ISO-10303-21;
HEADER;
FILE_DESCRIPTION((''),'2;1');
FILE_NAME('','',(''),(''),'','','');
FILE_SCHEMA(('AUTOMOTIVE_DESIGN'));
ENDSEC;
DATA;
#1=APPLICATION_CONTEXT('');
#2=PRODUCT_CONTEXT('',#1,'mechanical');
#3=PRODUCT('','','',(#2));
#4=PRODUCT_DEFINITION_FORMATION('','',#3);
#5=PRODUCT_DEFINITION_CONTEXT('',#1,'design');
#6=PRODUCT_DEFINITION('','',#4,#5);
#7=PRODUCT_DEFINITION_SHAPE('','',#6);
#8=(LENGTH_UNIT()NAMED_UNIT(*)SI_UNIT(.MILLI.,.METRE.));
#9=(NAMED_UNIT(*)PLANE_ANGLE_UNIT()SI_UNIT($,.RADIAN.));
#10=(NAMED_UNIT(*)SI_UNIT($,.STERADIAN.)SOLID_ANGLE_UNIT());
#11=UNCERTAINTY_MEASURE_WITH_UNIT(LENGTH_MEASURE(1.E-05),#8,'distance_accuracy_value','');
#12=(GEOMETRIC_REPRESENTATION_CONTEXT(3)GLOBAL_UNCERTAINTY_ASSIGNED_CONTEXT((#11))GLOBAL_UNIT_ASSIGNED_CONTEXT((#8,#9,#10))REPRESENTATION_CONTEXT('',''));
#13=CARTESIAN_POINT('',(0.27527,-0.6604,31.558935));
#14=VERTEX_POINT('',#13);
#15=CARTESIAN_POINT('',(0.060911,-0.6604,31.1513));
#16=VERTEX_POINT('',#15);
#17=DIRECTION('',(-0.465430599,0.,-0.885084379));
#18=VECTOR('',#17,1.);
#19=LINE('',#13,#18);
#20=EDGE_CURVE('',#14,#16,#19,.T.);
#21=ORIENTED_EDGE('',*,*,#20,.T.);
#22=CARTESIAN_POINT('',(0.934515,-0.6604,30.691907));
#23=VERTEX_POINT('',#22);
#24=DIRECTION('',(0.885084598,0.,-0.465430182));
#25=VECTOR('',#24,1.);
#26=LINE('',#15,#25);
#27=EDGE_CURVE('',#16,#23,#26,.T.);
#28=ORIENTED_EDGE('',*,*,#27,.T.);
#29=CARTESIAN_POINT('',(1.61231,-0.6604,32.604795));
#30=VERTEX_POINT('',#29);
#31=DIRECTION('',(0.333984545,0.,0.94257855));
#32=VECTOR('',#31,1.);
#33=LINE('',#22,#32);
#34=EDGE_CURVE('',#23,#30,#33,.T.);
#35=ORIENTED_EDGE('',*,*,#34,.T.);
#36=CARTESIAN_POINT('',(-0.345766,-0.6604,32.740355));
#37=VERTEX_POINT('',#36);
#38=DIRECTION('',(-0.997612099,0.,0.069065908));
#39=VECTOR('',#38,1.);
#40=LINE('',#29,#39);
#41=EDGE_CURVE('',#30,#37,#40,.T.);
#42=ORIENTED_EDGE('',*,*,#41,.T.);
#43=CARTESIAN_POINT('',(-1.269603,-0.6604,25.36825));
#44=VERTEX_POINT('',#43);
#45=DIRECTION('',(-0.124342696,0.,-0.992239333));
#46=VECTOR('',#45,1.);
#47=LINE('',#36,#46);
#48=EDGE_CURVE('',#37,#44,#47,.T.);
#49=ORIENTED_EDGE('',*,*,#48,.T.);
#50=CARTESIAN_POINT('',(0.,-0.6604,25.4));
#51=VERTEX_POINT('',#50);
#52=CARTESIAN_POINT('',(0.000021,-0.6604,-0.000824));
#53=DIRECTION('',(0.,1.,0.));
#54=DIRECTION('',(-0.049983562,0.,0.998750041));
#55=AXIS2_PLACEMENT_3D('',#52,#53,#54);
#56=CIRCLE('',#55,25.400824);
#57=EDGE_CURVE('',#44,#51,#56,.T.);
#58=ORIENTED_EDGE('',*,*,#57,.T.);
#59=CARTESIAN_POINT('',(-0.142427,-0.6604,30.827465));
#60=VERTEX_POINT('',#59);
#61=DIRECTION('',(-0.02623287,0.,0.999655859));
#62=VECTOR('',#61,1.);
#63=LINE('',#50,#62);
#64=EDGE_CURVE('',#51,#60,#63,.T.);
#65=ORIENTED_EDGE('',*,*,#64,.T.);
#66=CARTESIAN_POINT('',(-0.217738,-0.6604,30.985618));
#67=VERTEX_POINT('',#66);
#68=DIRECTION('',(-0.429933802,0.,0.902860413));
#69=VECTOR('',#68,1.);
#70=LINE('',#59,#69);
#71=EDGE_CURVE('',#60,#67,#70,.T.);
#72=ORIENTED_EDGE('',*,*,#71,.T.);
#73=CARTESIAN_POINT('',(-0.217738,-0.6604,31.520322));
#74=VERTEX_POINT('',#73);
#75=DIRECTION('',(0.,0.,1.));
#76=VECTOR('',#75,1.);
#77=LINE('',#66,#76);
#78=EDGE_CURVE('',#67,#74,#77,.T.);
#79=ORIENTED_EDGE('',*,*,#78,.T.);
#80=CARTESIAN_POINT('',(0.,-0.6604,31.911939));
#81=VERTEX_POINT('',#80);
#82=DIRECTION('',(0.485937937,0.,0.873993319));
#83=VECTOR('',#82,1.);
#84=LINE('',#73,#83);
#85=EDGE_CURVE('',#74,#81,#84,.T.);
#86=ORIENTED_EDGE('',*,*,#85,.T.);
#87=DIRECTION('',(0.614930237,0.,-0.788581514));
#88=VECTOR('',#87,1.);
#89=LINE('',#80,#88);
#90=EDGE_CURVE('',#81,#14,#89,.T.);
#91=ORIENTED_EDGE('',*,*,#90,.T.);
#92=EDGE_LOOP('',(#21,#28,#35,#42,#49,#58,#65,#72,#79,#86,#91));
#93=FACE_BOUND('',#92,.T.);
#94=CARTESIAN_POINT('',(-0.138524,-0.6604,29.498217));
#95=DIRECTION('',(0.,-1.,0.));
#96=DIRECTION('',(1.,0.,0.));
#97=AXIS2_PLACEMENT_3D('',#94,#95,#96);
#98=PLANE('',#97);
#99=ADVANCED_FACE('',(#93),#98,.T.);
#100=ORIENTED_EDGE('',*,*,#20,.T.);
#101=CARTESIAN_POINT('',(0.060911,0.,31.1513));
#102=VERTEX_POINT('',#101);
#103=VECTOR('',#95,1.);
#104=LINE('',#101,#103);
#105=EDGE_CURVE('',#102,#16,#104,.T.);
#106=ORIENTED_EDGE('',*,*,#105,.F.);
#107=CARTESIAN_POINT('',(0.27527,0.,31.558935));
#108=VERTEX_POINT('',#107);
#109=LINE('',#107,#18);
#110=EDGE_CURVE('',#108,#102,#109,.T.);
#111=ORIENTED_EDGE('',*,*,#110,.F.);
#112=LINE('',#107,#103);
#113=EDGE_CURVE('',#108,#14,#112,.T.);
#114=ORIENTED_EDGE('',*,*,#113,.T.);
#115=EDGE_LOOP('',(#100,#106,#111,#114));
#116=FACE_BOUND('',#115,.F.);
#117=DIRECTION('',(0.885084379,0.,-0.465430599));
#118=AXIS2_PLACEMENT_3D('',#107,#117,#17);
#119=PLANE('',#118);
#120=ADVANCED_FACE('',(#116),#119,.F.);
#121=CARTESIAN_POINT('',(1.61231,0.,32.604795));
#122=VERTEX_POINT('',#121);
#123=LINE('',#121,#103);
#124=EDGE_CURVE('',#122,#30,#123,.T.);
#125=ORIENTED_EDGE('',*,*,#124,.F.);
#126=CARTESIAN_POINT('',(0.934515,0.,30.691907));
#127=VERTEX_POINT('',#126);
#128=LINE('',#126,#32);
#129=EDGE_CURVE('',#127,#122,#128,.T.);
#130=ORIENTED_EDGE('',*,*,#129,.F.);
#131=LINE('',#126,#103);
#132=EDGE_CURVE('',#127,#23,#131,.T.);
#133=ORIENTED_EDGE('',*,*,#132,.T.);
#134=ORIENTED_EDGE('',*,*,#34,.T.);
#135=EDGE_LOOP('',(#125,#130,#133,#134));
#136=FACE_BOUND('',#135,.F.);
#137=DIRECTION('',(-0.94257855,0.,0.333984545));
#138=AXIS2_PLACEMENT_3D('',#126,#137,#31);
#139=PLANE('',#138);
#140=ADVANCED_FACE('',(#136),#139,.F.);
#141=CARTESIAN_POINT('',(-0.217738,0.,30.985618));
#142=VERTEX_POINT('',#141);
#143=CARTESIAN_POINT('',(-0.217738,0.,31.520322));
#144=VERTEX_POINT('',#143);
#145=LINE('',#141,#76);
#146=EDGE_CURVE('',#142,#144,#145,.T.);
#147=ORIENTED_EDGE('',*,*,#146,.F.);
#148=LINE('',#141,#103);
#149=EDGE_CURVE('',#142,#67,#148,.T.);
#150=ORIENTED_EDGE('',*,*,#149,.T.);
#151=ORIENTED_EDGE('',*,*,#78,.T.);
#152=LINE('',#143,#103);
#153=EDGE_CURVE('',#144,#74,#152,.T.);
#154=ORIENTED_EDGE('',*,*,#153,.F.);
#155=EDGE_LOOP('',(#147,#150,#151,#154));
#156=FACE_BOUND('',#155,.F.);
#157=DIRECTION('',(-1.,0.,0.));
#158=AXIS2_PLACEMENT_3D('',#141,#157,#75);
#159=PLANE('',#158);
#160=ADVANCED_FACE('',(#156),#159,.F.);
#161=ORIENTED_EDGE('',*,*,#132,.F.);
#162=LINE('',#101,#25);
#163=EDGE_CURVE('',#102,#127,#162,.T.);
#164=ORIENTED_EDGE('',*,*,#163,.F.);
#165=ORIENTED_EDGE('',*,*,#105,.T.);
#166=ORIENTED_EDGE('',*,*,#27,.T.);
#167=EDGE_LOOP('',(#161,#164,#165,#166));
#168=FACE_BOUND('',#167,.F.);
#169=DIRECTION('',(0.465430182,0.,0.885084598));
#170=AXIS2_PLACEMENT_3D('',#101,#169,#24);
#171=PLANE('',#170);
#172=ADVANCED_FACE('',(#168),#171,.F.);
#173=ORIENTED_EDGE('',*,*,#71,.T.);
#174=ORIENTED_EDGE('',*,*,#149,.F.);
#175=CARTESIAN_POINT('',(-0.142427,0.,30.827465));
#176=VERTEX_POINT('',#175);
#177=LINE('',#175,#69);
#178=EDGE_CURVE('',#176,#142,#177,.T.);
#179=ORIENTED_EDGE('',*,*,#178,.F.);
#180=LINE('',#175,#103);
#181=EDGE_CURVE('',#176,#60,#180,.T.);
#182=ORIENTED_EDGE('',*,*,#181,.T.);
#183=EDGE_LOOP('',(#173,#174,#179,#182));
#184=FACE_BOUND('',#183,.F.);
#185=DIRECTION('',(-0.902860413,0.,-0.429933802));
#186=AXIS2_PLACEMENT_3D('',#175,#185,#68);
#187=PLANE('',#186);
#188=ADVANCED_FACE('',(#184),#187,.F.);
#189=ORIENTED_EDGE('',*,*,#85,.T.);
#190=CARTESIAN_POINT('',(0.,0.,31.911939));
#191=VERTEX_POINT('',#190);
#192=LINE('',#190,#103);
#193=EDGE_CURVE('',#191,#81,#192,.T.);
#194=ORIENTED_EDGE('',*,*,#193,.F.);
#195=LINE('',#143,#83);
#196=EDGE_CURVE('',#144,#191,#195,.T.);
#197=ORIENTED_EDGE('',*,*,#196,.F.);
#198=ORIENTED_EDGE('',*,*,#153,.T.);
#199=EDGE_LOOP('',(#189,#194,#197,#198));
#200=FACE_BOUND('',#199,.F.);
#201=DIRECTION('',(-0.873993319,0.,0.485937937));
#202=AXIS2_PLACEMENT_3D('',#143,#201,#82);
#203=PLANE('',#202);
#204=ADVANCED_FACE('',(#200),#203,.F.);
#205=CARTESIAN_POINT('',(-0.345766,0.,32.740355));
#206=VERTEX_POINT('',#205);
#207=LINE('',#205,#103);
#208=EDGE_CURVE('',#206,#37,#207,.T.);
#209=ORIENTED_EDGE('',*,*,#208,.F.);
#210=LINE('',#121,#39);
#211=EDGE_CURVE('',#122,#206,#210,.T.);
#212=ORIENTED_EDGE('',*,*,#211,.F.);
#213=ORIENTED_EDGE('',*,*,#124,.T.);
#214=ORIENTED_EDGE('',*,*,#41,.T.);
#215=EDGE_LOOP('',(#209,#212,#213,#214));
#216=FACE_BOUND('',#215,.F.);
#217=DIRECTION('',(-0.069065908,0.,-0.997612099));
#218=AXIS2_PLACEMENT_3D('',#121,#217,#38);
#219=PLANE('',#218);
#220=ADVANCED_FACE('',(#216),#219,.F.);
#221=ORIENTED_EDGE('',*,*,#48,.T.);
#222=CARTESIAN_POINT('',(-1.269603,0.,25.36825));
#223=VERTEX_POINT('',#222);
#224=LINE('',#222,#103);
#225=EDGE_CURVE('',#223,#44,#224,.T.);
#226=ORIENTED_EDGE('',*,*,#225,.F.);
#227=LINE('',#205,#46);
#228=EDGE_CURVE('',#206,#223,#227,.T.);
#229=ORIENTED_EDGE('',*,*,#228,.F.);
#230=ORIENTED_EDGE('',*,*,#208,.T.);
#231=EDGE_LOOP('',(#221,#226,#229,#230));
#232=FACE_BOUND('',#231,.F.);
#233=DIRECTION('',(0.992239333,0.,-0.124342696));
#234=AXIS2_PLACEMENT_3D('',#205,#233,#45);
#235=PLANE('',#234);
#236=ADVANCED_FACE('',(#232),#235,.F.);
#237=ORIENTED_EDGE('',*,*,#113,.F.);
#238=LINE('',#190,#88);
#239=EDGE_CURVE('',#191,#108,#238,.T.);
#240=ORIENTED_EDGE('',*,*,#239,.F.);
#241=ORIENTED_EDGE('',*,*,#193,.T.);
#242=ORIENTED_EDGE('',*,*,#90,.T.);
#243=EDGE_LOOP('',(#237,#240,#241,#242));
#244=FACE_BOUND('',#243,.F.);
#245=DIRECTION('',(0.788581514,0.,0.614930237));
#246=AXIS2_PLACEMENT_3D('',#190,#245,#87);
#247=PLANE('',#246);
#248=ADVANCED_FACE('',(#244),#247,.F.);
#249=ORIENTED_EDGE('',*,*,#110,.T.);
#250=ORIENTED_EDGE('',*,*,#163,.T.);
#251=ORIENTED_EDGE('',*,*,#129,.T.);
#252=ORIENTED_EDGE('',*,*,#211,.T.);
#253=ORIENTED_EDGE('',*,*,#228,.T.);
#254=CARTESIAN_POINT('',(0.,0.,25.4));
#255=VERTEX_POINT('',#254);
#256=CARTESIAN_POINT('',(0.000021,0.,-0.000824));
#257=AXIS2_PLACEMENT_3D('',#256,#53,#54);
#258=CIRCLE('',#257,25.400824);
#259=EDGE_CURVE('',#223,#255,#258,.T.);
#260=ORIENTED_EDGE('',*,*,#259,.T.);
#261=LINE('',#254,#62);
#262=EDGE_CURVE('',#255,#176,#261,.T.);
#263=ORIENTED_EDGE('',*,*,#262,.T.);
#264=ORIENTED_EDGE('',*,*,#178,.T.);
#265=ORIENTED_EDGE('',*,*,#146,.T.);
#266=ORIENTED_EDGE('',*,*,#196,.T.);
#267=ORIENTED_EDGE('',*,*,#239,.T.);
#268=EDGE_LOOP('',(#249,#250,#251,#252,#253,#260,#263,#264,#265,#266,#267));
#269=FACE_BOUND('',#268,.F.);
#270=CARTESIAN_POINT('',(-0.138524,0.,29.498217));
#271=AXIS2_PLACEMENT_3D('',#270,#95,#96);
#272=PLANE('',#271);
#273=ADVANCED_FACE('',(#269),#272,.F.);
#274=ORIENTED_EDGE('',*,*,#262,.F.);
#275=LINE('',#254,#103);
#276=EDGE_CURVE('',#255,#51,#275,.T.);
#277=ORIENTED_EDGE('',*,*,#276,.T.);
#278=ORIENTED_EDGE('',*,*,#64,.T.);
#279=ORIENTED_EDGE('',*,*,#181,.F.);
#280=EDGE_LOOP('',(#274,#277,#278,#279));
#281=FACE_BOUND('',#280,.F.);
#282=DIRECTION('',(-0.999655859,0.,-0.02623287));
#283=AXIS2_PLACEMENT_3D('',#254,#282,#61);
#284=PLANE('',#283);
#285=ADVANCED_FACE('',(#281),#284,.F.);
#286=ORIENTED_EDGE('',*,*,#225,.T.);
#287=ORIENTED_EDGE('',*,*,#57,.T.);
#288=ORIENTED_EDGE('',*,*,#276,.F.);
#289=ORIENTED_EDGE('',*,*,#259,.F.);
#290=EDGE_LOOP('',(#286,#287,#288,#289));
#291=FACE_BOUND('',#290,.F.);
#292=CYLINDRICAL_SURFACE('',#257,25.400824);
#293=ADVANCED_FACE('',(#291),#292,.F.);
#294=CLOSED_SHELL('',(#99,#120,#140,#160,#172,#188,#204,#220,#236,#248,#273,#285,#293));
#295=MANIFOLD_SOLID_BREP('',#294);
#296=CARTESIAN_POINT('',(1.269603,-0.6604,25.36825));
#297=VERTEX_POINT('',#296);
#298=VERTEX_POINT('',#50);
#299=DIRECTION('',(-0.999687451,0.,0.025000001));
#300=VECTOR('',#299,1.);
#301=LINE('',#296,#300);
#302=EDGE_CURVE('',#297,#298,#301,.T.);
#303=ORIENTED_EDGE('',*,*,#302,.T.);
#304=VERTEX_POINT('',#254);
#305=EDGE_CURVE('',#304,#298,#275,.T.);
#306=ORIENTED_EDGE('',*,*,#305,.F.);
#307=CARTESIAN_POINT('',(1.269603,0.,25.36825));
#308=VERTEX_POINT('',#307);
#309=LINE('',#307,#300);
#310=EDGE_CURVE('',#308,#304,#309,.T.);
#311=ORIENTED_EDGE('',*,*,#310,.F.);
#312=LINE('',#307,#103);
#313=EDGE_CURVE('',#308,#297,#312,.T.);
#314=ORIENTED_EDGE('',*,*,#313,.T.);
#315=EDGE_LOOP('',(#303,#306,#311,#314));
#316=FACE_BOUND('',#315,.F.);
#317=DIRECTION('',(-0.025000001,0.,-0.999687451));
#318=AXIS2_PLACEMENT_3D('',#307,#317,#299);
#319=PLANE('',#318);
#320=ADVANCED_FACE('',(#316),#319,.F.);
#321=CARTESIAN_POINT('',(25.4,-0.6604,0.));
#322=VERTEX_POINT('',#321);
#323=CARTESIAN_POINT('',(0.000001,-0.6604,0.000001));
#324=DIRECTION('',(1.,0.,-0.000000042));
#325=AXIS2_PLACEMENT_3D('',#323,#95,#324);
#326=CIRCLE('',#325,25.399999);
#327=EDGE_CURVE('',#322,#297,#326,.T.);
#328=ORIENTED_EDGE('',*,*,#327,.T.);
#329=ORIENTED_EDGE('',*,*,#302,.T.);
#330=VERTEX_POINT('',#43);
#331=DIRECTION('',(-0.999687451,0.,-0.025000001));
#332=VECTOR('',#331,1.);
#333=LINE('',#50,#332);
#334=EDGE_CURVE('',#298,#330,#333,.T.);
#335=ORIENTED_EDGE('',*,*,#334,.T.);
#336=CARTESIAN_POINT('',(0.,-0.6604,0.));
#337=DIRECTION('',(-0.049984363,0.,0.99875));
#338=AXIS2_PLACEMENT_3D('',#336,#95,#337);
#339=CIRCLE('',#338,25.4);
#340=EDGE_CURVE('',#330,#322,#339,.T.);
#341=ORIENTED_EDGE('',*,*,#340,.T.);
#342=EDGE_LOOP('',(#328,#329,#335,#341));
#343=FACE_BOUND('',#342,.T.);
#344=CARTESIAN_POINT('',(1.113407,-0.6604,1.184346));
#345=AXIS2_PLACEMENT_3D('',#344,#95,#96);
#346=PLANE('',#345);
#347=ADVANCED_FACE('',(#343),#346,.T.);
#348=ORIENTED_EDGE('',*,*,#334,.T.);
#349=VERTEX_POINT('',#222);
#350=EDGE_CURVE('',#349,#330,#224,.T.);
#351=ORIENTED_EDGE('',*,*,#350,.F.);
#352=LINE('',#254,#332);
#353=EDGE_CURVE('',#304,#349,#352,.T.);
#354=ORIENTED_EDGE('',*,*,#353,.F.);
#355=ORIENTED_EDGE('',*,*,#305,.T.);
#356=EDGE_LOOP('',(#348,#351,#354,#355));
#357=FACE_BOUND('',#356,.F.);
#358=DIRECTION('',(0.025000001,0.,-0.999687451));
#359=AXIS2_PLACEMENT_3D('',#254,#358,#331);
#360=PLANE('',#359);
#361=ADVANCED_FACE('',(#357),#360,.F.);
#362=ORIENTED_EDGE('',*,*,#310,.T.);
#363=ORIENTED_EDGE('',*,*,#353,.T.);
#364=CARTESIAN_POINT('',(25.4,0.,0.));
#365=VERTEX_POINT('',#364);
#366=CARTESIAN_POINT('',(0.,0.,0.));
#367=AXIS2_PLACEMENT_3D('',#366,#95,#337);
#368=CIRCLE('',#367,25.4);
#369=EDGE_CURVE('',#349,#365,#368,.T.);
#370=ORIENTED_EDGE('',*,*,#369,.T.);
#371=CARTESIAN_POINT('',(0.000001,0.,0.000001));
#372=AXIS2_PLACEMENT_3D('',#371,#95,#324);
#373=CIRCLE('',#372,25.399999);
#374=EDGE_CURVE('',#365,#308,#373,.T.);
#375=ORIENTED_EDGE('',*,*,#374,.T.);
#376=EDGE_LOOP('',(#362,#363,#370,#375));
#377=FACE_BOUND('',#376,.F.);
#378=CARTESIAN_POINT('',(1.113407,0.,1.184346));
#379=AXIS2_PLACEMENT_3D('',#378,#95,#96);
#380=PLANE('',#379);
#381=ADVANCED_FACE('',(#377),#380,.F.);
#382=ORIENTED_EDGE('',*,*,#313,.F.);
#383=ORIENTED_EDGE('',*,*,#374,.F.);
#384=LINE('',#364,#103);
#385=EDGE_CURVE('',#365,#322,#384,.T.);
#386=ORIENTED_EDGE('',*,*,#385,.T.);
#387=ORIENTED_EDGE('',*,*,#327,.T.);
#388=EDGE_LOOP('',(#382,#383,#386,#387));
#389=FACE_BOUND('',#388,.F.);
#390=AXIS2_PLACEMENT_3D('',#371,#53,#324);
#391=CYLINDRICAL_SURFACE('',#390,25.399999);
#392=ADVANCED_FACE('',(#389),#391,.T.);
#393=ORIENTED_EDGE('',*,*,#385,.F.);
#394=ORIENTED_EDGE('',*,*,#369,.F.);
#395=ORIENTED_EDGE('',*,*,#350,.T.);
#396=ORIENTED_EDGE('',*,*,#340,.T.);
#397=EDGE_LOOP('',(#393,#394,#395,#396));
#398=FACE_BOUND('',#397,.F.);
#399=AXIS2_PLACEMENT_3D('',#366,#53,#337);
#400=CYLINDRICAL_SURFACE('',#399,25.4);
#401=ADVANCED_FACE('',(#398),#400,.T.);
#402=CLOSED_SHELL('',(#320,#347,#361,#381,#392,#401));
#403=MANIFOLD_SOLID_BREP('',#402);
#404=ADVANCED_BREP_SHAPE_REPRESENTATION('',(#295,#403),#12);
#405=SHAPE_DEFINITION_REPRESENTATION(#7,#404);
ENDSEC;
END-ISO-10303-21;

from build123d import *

# Parameters (mm, degrees)
F1_DEPTH = 0.6604


with BuildPart() as f1:
    # F0 (on Front) → F1 (new body)
    with BuildSketch(Plane.XZ):
        with BuildLine():
            Line((-0.345766, 32.740355), (-1.269603, 25.36825))
            ThreePointArc((-1.269603, 25.36825), (-0.635, 25.392061), (0, 25.4))
            Line((0, 25.4), (-0.142427, 30.827465))
            Line((-0.142427, 30.827465), (-0.217738, 30.985618))
            Line((-0.217738, 30.985618), (-0.217738, 31.520322))
            Line((-0.217738, 31.520322), (0, 31.911939))
            Line((0, 31.911939), (0.27527, 31.558935))
            Line((0.27527, 31.558935), (0.060911, 31.1513))
            Line((0.060911, 31.1513), (0.934515, 30.691907))
            Line((0.934515, 30.691907), (1.61231, 32.604795))
            Line((1.61231, 32.604795), (-0.345766, 32.740355))
        make_face()
        with BuildLine():
            ThreePointArc((-1.269603, 25.36825), (-17.505886, -18.403912), (25.4, 0))
            ThreePointArc((25.4, 0), (18.403912, 17.505886), (1.269603, 25.36825))
            Line((1.269603, 25.36825), (0, 25.4))
            Line((0, 25.4), (-1.269603, 25.36825))
        make_face()
    extrude(amount=F1_DEPTH)


solid = f1.part
